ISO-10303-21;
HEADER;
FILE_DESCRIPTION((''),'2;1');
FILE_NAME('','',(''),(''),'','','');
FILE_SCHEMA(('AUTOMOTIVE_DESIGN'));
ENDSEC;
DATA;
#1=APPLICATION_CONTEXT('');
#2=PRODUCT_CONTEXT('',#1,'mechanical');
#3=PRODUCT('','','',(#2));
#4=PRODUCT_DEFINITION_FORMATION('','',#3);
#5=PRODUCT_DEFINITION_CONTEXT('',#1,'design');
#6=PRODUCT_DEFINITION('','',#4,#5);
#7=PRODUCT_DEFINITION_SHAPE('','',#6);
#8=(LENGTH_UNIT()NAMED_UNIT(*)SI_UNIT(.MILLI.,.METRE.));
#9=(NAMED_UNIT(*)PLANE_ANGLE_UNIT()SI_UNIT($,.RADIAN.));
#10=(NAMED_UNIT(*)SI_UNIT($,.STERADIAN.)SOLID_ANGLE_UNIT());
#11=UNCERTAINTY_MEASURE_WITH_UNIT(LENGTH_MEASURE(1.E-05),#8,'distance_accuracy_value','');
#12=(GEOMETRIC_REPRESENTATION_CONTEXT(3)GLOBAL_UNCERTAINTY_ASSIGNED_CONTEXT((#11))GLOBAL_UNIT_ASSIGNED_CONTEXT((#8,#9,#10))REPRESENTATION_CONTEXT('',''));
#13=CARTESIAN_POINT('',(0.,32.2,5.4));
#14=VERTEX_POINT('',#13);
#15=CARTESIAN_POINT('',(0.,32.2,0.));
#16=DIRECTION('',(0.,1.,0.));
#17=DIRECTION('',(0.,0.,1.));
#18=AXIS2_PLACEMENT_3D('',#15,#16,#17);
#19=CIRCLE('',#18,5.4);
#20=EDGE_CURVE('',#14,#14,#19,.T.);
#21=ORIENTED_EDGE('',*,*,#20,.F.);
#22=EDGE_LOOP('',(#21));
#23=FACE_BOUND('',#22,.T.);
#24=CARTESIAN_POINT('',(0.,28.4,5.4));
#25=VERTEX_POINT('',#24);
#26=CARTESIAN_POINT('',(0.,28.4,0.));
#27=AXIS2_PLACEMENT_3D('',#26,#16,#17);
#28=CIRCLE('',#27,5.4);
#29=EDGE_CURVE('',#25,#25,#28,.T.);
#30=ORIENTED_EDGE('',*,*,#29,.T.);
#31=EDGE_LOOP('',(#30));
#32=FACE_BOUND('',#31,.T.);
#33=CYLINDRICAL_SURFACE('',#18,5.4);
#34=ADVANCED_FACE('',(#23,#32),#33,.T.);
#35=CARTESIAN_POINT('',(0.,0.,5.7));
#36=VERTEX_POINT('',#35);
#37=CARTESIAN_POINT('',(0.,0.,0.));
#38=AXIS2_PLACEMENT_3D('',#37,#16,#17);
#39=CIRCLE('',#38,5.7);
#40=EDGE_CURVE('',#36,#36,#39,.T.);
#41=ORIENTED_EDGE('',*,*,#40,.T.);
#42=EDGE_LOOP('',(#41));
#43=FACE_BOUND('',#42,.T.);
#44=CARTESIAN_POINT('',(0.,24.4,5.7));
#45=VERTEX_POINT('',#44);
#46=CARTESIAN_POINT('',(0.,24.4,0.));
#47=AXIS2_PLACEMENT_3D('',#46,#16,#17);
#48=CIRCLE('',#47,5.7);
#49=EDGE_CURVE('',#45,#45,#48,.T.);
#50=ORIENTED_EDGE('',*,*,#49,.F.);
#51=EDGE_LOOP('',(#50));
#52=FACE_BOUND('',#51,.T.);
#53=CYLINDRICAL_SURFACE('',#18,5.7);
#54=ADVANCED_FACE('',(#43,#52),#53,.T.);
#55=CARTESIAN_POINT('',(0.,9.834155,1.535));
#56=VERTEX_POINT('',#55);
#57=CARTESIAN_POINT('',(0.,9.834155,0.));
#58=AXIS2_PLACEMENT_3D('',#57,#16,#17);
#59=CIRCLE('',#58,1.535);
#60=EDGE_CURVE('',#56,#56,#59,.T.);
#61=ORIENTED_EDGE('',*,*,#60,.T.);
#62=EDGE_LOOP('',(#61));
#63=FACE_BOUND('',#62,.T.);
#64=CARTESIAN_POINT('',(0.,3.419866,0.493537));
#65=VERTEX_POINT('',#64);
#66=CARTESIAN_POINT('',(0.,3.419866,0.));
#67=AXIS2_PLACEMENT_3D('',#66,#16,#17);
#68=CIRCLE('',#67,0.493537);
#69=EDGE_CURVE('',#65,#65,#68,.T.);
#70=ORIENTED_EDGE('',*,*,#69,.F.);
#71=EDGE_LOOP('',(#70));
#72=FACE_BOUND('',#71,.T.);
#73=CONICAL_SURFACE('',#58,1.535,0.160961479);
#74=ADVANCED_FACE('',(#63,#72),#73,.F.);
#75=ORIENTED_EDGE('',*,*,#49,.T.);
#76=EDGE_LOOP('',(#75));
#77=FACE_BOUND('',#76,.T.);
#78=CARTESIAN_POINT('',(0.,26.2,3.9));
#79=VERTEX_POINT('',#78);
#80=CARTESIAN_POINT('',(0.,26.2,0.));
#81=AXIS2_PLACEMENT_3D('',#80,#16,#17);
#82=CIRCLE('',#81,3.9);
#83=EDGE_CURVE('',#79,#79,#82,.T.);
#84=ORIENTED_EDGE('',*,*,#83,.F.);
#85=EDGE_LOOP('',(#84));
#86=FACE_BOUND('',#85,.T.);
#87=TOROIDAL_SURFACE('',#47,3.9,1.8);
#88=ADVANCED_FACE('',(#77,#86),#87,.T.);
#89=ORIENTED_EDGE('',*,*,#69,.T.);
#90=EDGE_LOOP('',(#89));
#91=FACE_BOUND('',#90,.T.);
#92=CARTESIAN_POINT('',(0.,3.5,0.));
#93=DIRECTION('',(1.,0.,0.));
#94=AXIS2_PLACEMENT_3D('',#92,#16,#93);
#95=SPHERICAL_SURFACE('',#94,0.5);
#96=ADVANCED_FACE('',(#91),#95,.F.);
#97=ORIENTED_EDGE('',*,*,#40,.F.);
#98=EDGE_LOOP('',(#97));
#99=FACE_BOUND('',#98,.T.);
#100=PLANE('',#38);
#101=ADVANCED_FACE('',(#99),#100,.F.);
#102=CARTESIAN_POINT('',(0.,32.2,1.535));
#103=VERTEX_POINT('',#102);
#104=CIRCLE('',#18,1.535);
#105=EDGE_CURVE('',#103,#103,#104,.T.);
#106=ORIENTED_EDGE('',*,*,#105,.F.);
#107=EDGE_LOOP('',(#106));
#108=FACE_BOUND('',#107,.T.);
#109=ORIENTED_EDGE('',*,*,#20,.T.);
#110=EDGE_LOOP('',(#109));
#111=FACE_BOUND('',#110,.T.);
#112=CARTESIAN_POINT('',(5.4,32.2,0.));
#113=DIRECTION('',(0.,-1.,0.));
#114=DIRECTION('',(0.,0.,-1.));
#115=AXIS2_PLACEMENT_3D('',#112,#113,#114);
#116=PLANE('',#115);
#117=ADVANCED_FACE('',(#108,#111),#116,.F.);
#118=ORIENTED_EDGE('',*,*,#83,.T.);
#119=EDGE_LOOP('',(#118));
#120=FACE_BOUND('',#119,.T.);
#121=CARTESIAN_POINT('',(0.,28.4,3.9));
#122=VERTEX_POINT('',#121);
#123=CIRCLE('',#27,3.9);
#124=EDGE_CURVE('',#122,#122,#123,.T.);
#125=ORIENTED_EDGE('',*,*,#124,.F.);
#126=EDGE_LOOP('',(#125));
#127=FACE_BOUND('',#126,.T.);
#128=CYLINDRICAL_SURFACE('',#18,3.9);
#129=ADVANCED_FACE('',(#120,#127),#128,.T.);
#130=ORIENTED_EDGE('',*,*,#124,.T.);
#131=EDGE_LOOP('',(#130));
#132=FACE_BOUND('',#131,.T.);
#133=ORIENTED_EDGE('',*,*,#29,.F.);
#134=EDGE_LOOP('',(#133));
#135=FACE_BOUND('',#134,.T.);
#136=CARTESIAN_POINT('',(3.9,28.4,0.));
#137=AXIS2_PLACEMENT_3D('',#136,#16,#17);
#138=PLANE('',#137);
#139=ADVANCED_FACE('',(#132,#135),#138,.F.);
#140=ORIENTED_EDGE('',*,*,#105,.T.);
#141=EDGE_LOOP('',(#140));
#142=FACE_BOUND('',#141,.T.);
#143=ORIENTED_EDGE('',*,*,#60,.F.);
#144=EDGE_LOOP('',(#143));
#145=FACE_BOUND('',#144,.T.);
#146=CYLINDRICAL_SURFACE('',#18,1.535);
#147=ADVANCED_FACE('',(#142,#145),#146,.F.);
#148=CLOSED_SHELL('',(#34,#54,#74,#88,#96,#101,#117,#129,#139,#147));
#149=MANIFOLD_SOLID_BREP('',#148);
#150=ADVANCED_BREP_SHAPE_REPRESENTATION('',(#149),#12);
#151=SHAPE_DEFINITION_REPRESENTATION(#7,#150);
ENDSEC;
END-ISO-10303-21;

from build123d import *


with BuildPart() as part:
    # Sketch2 → Revolve1 (revolve)
    with BuildSketch(Plane.XY):
        with BuildLine():
            Line((0, 0), (5.7, 0))
            Line((5.7, 0), (5.7, 24.4))
            ThreePointArc((5.7, 24.4), (5.172792206, 25.672792206), (3.9, 26.2))
            Line((3.9, 26.2), (3.9, 28.4))
            Line((3.9, 28.4), (5.4, 28.4))
            Line((5.4, 28.4), (5.4, 32.2))
            Line((5.4, 32.2), (1.535, 32.2))
            Line((1.535, 32.2), (1.535, 9.834154564))
            Line((1.535, 9.834154564), (0.493536823, 3.419866334))
            ThreePointArc((0.493536823, 3.419866334), (0.323985468, 3.119167469), (0, 3))
            Line((0, 3), (0, 0))
        make_face()
    revolve(axis=Axis((0, 32.2, 0), (0, -1, 0)))


solid = part.part
